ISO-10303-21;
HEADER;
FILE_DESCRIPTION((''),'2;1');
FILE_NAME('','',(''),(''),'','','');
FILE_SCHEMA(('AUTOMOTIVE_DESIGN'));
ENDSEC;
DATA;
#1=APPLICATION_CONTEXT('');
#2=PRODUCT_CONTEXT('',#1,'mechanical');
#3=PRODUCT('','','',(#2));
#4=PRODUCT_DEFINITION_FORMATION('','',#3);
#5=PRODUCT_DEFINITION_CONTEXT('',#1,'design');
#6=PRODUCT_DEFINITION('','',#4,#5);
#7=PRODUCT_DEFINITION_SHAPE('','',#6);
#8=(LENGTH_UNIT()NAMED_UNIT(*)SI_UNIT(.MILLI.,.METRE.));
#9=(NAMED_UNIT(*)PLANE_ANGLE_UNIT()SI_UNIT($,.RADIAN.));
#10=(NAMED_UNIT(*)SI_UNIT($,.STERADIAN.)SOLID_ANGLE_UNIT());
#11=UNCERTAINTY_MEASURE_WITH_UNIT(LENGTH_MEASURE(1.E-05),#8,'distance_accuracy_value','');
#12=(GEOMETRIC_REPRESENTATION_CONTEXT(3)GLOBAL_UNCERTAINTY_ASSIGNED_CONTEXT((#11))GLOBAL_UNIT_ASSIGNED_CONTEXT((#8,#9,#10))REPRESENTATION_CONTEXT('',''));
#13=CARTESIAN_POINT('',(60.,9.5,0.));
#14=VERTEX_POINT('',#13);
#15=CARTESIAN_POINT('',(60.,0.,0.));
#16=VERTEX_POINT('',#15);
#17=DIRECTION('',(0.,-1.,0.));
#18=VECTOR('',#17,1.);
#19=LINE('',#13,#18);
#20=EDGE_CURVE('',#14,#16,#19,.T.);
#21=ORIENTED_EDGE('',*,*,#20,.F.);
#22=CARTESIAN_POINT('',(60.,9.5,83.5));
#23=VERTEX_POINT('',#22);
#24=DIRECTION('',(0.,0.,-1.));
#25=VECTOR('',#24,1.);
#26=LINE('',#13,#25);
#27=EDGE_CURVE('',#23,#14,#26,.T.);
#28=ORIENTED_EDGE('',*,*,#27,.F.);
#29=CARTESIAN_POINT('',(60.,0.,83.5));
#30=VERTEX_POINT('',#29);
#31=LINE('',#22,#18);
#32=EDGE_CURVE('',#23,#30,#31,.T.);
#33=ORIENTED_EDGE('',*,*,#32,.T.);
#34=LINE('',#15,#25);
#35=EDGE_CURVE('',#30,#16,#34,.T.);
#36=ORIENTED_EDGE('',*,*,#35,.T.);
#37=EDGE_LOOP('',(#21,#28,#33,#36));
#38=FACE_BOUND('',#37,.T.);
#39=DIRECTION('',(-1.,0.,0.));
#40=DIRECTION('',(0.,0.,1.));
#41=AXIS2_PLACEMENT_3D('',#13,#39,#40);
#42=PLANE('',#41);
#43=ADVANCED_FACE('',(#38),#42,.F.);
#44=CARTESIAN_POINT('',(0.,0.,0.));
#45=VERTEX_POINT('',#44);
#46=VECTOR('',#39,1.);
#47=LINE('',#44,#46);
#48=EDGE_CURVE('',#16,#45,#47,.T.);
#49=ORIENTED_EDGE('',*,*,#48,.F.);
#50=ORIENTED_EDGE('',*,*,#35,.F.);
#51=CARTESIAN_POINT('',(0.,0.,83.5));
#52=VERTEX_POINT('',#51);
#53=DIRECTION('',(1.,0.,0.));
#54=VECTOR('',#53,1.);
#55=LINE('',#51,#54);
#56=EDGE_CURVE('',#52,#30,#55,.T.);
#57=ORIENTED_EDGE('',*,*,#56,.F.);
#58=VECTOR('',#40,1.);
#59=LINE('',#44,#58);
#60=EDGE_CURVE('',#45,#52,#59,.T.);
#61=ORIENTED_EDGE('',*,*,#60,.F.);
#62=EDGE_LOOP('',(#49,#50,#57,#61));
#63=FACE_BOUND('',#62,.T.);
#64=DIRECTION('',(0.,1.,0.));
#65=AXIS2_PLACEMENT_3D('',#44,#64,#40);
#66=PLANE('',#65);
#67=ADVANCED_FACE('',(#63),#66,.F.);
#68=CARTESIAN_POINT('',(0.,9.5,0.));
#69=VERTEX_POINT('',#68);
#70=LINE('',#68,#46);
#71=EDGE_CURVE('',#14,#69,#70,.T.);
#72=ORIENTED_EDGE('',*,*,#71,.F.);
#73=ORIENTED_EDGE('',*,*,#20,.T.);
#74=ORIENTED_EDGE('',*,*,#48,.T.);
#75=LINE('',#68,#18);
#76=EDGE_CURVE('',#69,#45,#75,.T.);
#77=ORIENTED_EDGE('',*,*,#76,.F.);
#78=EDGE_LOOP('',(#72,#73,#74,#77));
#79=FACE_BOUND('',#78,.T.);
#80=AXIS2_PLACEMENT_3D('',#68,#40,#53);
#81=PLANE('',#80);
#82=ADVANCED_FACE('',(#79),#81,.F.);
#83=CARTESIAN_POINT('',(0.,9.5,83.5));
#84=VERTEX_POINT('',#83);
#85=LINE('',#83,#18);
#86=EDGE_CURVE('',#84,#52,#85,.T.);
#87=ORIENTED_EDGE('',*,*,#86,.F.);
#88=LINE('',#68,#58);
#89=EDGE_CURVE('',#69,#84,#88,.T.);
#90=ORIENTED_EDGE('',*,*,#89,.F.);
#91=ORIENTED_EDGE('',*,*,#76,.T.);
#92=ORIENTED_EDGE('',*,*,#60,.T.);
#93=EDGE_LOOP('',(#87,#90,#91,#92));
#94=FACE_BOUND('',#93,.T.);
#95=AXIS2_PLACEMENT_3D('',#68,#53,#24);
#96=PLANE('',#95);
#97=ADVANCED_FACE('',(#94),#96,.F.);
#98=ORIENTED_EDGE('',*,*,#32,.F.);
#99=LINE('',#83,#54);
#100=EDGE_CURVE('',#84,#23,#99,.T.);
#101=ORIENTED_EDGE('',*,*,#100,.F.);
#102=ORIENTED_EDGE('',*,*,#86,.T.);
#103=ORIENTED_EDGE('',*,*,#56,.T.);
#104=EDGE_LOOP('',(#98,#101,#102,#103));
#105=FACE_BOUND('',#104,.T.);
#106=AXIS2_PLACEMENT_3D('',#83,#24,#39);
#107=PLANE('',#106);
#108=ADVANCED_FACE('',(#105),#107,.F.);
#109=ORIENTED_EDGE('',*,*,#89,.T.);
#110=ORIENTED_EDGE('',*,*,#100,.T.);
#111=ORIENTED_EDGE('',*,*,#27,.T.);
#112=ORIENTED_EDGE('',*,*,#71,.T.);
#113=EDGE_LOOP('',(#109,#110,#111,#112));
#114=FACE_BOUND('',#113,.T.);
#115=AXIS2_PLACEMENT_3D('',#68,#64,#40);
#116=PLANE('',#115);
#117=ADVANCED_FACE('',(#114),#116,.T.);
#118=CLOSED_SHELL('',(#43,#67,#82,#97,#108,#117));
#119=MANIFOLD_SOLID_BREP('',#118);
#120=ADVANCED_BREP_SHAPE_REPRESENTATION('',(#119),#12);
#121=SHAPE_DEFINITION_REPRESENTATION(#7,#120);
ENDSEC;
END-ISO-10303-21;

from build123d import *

# Parameters (mm, degrees)
SKETCH_2_W      = 60
SKETCH_2_H      = 83.5
EXTRUDE_1_DEPTH = 9.5


with BuildPart() as part:
    # 草图2 → 凸台-拉伸1 (new body)
    with BuildSketch(Plane(origin=(0, 0, 0), x_dir=(1, 0, 0), z_dir=(0, 1, 0))):
        with Locations((30, -41.75)):
            Rectangle(SKETCH_2_W, SKETCH_2_H)
    extrude(amount=EXTRUDE_1_DEPTH)


solid = part.part
